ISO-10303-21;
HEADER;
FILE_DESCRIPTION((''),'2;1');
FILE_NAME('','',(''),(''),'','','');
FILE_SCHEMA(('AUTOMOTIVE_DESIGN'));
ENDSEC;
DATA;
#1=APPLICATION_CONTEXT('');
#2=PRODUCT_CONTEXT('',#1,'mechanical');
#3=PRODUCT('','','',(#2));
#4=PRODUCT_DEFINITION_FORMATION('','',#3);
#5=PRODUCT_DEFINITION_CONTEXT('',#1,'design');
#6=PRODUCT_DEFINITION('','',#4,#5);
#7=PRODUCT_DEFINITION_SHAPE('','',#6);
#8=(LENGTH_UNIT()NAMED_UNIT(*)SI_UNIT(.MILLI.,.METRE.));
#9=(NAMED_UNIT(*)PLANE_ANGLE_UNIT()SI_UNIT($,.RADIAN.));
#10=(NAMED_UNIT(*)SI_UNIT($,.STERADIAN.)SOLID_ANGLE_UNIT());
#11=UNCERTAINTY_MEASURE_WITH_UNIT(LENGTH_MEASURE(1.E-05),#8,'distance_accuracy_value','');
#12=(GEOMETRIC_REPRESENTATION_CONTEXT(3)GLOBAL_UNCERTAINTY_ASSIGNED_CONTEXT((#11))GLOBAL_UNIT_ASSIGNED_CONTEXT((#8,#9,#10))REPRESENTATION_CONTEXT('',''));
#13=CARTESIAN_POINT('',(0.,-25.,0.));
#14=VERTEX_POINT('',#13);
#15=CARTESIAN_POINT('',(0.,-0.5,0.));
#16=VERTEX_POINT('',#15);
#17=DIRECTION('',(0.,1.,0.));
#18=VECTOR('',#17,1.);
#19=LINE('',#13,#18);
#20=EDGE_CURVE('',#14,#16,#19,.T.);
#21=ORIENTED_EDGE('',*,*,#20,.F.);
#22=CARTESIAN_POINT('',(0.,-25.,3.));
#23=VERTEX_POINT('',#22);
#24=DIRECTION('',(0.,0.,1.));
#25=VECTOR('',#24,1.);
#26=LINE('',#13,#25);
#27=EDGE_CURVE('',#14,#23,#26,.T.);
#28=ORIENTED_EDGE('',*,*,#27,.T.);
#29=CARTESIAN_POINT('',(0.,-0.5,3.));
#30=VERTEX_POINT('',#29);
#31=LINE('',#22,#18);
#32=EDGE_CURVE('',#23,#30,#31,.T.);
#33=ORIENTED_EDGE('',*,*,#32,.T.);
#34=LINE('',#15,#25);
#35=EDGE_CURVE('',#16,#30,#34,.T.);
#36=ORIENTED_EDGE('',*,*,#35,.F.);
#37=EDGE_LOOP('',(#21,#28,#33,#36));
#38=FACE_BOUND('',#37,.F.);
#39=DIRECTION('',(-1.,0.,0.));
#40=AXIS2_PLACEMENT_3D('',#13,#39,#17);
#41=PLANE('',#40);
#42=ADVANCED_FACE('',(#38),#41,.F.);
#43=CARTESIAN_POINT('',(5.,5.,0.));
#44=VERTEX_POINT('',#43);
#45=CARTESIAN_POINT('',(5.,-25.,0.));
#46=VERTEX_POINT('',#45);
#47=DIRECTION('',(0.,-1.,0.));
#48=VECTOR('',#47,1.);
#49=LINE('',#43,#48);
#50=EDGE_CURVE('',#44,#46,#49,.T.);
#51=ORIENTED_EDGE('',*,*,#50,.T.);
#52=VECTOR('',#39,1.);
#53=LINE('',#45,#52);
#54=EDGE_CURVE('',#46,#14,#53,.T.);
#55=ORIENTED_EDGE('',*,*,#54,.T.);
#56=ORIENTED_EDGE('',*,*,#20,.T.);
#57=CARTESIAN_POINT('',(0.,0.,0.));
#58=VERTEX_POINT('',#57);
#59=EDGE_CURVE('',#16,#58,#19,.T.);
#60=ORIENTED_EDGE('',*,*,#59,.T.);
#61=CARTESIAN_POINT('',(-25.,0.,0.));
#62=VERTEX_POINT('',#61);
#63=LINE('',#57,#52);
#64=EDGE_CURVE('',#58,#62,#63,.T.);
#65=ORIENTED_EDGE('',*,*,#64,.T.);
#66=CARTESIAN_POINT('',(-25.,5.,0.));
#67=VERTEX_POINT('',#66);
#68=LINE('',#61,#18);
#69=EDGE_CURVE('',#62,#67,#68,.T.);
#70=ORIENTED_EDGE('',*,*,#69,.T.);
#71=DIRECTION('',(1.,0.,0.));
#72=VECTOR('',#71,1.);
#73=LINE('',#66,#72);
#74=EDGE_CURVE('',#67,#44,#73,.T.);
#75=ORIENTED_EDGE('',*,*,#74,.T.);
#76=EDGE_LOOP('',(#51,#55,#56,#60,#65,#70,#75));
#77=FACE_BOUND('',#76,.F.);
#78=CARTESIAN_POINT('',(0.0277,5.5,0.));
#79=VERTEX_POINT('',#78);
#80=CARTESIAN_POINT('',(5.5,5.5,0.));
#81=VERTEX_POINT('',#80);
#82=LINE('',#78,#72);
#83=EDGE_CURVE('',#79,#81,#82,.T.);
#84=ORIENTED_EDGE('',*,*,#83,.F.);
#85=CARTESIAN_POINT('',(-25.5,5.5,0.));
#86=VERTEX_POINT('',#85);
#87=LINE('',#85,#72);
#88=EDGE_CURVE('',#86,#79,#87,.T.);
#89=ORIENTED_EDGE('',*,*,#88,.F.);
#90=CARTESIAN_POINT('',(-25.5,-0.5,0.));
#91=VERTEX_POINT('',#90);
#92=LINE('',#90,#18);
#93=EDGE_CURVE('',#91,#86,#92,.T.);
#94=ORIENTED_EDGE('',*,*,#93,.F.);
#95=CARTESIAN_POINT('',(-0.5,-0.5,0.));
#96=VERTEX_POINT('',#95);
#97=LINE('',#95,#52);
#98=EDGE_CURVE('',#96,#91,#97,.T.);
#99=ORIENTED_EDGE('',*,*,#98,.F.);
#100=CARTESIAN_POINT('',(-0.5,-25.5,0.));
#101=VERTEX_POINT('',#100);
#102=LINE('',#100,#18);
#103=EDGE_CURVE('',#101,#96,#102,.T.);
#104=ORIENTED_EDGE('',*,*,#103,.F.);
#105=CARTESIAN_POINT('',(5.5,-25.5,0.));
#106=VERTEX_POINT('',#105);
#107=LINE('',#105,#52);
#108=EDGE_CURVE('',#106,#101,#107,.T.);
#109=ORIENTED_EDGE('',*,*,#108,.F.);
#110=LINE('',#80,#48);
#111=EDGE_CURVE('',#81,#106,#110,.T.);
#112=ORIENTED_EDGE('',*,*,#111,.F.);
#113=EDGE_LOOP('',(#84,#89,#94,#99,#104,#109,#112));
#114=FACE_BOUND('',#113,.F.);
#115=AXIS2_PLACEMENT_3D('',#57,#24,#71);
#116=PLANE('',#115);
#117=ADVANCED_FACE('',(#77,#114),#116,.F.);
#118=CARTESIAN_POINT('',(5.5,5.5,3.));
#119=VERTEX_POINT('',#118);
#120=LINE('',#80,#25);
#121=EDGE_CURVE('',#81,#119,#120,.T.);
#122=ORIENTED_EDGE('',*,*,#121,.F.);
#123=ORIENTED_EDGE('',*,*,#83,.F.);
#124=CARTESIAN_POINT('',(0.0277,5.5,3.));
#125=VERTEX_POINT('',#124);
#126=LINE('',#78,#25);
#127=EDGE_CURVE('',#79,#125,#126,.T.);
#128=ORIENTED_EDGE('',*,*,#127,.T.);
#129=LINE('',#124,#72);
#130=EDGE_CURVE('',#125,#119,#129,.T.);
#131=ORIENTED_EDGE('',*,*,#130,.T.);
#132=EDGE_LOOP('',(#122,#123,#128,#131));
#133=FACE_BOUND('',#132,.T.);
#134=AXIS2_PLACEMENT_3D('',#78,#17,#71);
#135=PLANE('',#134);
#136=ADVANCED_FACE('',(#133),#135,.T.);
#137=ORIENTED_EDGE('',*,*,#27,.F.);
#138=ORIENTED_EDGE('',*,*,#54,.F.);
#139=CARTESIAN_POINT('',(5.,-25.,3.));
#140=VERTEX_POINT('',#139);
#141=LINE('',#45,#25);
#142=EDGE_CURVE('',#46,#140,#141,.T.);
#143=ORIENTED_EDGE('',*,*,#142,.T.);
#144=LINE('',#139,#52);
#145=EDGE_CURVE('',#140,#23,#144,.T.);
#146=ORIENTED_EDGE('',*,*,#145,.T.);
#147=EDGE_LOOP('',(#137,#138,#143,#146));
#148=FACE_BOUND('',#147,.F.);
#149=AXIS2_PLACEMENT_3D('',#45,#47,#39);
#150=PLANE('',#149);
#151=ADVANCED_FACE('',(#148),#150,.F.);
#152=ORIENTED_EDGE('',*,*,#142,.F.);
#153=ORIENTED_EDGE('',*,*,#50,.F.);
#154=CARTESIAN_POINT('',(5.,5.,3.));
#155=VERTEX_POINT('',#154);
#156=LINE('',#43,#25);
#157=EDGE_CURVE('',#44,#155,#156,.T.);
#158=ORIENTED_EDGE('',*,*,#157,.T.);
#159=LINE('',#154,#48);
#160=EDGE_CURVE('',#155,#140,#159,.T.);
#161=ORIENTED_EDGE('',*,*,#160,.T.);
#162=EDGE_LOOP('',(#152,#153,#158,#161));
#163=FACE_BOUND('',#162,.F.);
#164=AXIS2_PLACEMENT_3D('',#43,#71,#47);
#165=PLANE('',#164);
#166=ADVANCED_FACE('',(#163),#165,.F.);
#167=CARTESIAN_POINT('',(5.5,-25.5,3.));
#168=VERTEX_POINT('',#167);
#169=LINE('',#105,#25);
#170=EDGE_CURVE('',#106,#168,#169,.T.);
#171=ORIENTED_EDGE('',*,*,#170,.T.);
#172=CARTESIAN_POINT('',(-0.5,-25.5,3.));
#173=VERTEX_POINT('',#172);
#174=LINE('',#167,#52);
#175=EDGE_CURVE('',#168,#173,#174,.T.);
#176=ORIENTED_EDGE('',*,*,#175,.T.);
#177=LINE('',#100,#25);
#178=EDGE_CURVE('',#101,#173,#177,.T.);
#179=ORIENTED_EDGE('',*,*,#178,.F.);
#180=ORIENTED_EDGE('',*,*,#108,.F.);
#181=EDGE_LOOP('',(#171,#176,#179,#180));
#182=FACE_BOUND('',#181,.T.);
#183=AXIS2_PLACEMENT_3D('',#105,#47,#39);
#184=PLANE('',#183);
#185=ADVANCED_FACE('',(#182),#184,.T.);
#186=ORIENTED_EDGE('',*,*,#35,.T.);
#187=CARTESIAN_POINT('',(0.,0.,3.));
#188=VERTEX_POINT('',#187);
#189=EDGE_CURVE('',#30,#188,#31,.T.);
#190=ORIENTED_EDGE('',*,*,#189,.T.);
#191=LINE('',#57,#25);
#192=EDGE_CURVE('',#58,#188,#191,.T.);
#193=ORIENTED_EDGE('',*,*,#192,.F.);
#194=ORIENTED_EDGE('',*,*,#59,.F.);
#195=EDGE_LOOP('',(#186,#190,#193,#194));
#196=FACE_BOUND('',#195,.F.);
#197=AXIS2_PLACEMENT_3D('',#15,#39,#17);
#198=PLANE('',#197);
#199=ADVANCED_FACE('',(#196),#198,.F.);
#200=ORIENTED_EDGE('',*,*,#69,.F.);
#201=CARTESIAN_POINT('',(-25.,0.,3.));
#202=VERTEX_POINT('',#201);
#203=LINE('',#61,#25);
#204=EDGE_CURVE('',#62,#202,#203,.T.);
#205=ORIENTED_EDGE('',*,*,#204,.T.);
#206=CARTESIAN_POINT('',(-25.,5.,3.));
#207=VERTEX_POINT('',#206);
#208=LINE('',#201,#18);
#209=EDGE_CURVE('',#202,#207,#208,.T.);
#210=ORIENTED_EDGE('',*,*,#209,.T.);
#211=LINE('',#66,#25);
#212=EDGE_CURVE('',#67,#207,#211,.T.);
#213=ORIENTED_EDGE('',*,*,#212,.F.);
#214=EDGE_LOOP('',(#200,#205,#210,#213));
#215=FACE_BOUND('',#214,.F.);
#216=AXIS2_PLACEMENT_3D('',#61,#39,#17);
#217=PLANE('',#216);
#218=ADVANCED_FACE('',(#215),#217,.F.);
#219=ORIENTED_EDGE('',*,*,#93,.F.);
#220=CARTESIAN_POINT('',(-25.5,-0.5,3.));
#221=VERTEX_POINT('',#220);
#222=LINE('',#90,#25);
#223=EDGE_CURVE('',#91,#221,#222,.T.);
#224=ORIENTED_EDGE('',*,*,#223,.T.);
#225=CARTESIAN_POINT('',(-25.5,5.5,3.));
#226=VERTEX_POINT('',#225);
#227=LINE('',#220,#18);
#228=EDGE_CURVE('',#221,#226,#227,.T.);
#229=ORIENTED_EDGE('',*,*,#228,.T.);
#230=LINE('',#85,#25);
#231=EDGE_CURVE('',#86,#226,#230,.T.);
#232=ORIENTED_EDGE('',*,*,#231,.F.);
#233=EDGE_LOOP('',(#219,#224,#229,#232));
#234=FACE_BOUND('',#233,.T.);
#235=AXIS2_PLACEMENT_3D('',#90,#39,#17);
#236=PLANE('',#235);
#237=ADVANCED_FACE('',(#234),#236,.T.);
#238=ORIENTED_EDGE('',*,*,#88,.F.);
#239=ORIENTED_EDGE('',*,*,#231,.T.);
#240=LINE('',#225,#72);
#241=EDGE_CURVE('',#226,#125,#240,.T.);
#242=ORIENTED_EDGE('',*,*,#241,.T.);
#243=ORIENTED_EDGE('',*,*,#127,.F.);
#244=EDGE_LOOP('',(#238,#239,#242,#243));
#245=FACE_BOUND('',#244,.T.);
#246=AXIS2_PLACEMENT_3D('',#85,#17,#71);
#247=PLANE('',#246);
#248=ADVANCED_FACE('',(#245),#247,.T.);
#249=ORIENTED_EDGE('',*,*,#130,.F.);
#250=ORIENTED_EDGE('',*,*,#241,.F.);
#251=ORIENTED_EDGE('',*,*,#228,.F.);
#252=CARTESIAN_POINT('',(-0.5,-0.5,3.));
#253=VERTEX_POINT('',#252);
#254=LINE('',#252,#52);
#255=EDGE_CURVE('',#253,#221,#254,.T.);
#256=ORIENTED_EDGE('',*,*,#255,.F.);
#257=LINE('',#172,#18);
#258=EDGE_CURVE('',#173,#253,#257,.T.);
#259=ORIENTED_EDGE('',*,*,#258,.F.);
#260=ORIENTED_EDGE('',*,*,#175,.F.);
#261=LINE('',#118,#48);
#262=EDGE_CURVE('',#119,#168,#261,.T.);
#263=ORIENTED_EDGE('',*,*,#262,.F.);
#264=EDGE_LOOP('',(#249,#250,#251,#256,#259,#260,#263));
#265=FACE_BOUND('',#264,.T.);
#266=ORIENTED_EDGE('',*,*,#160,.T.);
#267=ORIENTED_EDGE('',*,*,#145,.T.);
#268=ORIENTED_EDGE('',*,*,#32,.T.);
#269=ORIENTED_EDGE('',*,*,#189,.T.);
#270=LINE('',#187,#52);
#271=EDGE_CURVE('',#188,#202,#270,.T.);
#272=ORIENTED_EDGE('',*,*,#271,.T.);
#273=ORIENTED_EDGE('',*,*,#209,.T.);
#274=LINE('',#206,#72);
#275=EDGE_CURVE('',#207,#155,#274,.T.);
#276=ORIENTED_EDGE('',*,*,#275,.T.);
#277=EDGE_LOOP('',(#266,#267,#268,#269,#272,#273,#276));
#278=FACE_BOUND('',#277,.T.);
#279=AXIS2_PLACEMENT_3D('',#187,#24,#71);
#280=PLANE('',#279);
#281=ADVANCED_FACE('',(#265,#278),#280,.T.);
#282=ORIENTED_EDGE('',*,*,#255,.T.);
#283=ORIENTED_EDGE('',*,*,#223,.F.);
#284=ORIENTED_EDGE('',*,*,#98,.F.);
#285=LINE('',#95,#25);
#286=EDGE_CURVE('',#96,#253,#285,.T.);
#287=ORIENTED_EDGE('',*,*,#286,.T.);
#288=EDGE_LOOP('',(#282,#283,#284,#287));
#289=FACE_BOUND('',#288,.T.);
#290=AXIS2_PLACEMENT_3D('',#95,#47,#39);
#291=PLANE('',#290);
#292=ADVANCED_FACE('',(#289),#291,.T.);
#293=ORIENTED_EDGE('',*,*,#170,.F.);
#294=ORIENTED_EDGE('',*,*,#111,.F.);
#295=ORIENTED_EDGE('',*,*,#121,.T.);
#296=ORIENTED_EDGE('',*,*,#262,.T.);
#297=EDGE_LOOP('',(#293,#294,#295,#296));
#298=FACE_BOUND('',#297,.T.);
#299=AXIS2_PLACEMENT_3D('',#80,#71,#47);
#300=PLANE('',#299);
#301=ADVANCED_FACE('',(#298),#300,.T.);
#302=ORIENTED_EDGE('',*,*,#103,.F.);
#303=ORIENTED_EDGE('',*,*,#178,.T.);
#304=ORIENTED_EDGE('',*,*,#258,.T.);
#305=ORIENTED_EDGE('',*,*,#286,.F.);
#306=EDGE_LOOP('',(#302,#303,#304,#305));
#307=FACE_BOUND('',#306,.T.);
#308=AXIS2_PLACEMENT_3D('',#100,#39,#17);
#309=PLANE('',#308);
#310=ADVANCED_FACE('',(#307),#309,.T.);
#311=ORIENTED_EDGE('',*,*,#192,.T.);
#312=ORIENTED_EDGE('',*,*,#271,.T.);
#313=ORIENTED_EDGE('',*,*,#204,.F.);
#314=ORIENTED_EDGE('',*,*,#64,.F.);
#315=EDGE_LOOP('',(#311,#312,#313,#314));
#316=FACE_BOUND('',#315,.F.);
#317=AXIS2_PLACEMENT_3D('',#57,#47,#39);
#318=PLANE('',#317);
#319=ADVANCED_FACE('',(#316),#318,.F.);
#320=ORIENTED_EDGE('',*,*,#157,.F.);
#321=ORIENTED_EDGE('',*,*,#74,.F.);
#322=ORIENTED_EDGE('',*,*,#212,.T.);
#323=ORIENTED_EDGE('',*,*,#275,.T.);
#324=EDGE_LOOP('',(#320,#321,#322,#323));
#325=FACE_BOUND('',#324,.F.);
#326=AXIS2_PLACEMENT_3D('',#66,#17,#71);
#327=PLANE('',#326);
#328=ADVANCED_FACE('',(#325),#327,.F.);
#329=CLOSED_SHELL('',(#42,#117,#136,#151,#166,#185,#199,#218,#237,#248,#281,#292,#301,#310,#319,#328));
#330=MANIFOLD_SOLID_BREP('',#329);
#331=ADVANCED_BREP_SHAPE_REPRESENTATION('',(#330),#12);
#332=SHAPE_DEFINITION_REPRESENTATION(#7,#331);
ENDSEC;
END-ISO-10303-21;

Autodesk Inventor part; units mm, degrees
ref_plane "YZ Plane" through (0, 0, 0) normal (1, 0, 0) x (0, 1, 0)
ref_plane "XZ Plane" through (0, 0, 0) normal (0, 1, 0) x (-1, 0, 0)
ref_plane "XY Plane" through (0, 0, 0) normal (0, 0, 1) x (1, 0, 0)
sketch "스케치1" plane through (0, 0, 0) normal (0, 0, 1) x (1, 0, 0)
  line L0 (-25, 5) -> (5, 5)
  line L1 (0, 0) -> (-25, 0)
  line L2 (-25, 0) -> (-25, 5)
  line L3 (5, 5) -> (5, 5)
  line L4 (5, 5) -> (5, -25)
  line L5 (5, -25) -> (0, -25)
  line L6 (0, -25) -> (0, 0)
  line L7 (-25.5, 5.5) -> (0.0277, 5.5)
  line L8 (0, 0) -> (0, -0.5)
  line L9 (-0.5, -0.5) -> (-25.5, -0.5)
  line L10 (-25.5, -0.5) -> (-25.5, 5.5)
  line L11 (0.0277, 5.5) -> (5.5, 5.5)
  line L12 (5.5, 5.5) -> (5.5, -25.5)
  line L13 (5.5, -25.5) -> (-0.5, -25.5)
  line L14 (-0.5, -25.5) -> (-0.5, -0.5)
  point P0 (0, 0)
  dimension "d0" = 5
  dimension "d1" = 5
  dimension "d2" = 30
  dimension "d3" = 30
  dimension "d4" = 25
  dimension "d5" = 25
  dimension "d6" = 6
  dimension "d7" = 0.5
  dimension "d8" = 25.5
  dimension "d9" = 0.5
  dimension "d10" = 25.5
  dimension "d11" = 0.5
extrude "돌출1" add sketch "스케치1" along normal blind 3
properties part number "축 케이스"
